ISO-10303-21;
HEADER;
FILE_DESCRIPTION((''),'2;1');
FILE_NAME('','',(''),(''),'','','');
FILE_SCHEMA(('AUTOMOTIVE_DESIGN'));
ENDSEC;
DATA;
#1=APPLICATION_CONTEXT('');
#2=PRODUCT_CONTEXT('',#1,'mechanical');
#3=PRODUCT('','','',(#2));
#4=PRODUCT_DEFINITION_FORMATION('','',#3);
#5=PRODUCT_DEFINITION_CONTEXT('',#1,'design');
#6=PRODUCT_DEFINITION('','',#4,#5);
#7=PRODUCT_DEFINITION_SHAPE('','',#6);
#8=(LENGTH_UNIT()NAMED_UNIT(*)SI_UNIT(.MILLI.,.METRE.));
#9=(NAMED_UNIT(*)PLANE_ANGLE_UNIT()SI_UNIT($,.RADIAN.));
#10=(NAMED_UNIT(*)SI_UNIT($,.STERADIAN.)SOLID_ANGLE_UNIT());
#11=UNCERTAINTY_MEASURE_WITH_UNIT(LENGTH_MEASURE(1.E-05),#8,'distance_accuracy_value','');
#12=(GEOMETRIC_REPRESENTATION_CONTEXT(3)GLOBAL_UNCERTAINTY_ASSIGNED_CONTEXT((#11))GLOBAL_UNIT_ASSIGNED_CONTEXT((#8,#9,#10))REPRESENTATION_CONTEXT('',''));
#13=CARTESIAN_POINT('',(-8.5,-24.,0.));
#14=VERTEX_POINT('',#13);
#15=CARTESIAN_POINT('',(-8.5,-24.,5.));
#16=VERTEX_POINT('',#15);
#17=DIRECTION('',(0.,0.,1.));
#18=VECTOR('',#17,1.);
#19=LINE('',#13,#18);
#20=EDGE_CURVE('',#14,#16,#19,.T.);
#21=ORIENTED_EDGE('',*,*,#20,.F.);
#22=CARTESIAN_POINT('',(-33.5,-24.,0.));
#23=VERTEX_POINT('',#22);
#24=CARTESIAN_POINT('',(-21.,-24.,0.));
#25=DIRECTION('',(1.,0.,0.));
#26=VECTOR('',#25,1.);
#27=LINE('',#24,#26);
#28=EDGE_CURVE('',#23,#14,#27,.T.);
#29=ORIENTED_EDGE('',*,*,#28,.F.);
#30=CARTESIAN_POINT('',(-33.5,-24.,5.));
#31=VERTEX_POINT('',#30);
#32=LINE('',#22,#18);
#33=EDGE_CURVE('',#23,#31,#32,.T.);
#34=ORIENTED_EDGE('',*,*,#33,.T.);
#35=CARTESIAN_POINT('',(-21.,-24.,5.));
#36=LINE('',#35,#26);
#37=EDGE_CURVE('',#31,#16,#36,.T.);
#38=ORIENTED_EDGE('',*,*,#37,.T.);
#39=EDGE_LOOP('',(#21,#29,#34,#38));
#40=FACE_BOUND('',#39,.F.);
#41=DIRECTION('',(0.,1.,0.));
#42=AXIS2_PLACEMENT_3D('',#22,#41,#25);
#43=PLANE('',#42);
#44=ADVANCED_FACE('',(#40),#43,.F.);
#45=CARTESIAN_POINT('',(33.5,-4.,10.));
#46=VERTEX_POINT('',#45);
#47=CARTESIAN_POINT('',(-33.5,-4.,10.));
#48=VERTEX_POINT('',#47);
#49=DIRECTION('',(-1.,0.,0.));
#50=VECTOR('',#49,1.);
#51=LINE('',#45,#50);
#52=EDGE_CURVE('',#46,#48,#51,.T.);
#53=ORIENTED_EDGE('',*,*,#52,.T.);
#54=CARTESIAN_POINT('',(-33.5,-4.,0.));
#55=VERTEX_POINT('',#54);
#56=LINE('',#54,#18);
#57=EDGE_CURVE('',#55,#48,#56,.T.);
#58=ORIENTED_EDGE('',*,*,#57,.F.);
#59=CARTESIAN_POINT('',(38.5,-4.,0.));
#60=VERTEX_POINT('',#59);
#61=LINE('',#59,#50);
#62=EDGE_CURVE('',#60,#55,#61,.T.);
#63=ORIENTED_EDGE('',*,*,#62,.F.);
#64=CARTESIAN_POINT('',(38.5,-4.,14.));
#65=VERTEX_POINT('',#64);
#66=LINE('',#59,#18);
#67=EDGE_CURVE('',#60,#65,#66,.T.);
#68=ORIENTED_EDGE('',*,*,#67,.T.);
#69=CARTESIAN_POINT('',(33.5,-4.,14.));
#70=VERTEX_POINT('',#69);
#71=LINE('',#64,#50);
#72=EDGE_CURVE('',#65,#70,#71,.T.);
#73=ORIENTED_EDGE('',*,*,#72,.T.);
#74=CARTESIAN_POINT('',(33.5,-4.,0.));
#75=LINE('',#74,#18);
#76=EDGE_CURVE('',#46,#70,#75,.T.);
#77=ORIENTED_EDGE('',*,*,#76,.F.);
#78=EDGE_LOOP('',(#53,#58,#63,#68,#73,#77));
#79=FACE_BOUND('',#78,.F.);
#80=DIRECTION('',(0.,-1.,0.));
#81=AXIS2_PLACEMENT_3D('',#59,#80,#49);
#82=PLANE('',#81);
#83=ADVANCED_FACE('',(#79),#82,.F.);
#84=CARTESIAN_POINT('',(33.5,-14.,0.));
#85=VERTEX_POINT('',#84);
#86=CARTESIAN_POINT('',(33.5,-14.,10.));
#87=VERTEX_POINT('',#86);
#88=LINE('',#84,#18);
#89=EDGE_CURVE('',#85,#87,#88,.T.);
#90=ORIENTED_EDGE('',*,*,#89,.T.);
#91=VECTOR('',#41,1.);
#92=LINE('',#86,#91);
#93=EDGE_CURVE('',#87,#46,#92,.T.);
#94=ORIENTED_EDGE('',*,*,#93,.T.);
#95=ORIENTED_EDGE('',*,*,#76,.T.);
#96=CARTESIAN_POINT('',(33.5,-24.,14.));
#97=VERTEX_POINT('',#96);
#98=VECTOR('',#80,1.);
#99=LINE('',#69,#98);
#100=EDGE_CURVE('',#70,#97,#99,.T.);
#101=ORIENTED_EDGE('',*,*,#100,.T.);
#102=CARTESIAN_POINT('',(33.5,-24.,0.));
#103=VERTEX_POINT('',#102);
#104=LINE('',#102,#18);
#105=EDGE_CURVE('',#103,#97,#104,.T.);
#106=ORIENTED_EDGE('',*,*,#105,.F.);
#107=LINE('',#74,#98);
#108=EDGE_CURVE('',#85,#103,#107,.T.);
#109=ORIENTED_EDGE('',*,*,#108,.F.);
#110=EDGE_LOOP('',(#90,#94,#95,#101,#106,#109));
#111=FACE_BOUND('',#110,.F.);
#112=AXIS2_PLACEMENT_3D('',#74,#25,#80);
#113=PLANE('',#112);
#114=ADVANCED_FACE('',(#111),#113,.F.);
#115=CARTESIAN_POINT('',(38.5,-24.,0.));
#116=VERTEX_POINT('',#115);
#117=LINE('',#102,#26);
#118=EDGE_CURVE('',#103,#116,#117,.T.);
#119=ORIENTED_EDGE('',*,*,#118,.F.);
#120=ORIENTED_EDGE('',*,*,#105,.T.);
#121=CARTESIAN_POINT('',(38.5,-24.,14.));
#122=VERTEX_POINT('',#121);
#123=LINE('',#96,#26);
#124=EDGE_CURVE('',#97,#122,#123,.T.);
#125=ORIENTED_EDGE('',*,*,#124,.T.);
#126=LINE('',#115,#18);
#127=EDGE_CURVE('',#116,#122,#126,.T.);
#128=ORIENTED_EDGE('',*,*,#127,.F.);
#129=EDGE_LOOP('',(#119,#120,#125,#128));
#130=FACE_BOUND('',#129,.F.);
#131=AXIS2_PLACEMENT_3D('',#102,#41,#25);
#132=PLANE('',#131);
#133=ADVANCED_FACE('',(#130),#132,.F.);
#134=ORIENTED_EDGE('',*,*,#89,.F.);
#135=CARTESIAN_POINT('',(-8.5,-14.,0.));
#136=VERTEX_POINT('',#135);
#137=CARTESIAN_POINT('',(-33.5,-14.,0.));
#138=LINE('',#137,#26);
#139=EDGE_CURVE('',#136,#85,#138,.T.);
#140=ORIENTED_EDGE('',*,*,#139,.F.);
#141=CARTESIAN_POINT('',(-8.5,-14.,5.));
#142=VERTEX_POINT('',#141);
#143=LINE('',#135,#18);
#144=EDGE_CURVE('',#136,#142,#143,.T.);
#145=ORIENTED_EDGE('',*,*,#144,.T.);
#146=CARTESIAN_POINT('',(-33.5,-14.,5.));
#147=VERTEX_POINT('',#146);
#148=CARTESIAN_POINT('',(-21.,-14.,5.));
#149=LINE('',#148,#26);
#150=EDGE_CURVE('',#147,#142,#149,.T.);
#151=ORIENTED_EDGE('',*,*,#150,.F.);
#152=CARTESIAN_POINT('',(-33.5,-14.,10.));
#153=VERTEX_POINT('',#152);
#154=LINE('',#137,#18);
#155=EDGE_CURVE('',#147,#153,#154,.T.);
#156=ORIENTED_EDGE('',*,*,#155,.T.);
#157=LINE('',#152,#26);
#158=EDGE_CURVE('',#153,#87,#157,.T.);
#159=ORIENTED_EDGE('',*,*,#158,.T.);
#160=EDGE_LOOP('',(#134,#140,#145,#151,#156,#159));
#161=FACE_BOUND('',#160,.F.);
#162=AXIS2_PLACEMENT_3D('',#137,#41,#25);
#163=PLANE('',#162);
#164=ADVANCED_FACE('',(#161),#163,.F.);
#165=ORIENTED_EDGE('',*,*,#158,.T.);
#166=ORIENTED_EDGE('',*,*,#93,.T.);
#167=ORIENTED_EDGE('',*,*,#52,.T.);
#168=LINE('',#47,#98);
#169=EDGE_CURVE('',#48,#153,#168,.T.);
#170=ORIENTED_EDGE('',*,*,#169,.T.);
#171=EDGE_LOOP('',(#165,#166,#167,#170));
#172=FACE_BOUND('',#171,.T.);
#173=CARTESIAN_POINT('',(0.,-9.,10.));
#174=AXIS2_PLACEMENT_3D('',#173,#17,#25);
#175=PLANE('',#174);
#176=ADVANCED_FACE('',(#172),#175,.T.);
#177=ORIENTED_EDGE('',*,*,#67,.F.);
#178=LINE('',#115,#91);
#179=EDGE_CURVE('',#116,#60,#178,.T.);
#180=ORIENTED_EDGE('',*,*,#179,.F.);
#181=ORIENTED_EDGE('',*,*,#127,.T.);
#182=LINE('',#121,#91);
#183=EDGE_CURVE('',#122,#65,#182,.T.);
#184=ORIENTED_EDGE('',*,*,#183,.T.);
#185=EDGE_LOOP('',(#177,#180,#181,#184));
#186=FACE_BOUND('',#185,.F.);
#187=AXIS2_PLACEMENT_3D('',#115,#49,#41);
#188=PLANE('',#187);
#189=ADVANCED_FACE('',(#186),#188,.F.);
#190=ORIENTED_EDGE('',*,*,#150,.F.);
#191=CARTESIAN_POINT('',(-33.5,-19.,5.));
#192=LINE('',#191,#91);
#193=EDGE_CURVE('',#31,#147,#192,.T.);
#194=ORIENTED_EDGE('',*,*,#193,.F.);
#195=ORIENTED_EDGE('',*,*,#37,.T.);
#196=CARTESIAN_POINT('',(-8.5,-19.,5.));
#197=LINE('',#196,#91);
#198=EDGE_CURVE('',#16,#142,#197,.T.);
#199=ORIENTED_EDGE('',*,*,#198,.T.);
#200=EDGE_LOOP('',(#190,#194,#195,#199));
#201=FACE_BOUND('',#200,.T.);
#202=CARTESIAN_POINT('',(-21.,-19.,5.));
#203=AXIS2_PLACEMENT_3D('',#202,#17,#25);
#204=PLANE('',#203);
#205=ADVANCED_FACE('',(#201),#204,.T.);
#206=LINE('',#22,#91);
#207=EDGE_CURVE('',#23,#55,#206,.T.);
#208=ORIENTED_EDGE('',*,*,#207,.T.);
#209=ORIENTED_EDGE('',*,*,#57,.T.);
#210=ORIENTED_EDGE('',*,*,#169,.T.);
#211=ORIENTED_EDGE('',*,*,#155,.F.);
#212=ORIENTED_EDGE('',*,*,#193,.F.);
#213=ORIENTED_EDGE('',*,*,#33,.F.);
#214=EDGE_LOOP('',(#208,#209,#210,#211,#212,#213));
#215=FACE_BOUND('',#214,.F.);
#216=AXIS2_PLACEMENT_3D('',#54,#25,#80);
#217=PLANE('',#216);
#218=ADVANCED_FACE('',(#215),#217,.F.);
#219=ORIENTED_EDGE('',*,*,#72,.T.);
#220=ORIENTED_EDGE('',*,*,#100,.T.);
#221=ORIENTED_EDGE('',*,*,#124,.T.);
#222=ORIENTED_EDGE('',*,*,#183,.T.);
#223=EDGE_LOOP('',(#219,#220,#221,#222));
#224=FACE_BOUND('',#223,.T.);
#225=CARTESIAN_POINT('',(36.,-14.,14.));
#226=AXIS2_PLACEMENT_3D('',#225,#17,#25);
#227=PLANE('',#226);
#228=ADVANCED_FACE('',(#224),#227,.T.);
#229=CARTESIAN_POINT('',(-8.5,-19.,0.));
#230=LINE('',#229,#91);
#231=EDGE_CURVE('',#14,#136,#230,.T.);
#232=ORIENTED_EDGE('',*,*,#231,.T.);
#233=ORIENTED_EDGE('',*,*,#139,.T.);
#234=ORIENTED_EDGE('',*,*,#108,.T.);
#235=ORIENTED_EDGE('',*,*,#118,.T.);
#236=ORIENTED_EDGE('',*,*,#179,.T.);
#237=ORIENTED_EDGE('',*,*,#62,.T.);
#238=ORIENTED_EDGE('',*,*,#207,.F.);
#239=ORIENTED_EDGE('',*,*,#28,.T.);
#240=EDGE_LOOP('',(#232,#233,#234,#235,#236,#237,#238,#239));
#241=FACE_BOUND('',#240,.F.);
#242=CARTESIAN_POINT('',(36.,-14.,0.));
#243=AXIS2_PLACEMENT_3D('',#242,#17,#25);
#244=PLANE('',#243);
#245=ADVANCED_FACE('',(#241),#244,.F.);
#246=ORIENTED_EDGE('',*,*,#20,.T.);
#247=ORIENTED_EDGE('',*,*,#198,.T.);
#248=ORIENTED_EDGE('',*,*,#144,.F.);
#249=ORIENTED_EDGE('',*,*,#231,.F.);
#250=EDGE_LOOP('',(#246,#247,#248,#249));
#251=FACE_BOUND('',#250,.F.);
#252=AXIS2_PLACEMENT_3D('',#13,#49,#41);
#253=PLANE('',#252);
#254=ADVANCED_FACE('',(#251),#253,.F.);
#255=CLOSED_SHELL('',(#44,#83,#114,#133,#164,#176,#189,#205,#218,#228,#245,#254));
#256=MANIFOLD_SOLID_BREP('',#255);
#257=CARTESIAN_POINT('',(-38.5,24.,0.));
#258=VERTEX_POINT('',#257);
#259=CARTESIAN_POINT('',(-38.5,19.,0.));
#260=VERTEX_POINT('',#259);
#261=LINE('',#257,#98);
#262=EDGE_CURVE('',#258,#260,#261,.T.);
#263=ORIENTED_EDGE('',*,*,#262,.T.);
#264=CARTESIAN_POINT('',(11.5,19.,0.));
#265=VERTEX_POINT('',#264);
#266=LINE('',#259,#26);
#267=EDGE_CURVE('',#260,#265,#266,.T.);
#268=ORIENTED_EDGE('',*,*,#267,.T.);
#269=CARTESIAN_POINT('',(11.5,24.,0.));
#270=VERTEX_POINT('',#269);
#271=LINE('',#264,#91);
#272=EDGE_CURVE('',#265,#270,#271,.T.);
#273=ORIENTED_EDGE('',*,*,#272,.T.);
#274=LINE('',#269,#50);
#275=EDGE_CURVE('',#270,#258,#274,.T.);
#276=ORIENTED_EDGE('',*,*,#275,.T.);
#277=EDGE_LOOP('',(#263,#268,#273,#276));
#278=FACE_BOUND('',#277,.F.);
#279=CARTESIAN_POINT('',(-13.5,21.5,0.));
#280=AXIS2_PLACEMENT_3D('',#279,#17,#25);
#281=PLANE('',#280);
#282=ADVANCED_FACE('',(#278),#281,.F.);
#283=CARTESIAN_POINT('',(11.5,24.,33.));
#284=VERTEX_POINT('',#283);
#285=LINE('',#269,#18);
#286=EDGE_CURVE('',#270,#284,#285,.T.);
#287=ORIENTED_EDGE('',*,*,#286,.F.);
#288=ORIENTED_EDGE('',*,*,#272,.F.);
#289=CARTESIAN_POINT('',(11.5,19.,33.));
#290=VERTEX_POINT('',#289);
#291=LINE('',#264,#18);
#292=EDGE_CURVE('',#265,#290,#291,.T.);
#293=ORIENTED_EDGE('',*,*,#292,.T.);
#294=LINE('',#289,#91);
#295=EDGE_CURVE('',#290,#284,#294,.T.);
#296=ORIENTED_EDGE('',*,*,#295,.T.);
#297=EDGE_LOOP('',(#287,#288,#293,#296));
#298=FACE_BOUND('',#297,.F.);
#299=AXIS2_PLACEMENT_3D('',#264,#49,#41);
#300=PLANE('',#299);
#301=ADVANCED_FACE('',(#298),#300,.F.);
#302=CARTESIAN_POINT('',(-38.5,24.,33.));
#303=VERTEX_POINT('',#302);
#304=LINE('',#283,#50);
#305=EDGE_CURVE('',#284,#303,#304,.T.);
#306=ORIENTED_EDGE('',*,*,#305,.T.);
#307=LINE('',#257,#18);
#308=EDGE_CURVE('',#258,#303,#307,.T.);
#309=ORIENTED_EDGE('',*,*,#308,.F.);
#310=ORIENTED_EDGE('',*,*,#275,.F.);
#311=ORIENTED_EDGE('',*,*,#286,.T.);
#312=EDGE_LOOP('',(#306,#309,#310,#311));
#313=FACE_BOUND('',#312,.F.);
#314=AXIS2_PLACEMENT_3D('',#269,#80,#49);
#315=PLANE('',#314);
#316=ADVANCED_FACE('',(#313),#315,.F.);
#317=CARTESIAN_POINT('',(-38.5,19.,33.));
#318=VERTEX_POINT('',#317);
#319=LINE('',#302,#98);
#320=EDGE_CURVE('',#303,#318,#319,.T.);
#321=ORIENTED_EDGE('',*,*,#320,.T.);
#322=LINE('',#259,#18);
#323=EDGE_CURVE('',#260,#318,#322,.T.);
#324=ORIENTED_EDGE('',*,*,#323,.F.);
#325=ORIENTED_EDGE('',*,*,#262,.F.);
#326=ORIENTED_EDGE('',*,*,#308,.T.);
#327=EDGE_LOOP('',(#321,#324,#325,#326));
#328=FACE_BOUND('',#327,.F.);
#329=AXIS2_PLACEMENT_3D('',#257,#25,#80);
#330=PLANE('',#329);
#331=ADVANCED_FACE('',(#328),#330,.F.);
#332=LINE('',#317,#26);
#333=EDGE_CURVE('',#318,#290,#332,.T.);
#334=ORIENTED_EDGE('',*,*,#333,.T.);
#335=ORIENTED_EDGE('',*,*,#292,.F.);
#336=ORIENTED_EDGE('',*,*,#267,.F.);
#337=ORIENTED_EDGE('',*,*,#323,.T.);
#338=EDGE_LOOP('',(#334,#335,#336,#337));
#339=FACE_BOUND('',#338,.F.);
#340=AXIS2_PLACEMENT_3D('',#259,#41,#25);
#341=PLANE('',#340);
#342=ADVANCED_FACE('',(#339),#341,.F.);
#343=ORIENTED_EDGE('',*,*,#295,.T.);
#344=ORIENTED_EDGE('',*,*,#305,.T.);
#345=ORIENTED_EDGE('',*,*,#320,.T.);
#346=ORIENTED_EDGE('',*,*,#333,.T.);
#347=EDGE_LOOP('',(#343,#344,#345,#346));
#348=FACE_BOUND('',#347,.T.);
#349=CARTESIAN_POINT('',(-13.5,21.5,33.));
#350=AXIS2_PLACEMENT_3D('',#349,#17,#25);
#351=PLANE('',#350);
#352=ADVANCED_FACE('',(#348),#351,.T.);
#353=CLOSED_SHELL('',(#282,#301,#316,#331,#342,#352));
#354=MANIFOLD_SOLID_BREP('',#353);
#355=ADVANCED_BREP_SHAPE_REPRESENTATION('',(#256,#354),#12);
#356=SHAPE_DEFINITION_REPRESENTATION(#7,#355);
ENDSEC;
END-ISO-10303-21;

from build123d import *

# Parameters (mm, degrees)
F0_W     = 25
F0_H     = 10
F1_DEPTH = 5
F2_DEPTH = 10
F3_DEPTH = 14
F4_DEPTH = 33


with BuildPart() as f1:
    # F0 (on Top) → F1 (new body)
    with BuildSketch(Plane.XY):
        with Locations((-21, -19)):
            Rectangle(F0_W, F0_H)
    extrude(amount=F1_DEPTH)

    # F0 (on Top) → F2 (join)
    with BuildSketch(Plane.XY):
        Polygon((33.5, -14), (33.5, -4), (11.5, -4), (1.5, -4), (-8.5, -4), (-33.5, -4), (-33.5, -14), (-8.5, -14), align=None)
    extrude(amount=F2_DEPTH)

    # F0 (on Top) → F3 (join)
    with BuildSketch(Plane.XY):
        Polygon((38.5, -4), (33.5, -4), (33.5, -14), (33.5, -24), (38.5, -24), align=None)
    extrude(amount=F3_DEPTH)


with BuildPart() as f4:
    # F0 (on Top) → F4 (new body)
    with BuildSketch(Plane.XY):
        Polygon((11.5, 24), (-38.5, 24), (-38.5, 19), (-33.5, 19), (-8.5, 19), (1.5, 19), (11.5, 19), align=None)
    extrude(amount=F4_DEPTH)


solid = Compound([f1.part, f4.part])
